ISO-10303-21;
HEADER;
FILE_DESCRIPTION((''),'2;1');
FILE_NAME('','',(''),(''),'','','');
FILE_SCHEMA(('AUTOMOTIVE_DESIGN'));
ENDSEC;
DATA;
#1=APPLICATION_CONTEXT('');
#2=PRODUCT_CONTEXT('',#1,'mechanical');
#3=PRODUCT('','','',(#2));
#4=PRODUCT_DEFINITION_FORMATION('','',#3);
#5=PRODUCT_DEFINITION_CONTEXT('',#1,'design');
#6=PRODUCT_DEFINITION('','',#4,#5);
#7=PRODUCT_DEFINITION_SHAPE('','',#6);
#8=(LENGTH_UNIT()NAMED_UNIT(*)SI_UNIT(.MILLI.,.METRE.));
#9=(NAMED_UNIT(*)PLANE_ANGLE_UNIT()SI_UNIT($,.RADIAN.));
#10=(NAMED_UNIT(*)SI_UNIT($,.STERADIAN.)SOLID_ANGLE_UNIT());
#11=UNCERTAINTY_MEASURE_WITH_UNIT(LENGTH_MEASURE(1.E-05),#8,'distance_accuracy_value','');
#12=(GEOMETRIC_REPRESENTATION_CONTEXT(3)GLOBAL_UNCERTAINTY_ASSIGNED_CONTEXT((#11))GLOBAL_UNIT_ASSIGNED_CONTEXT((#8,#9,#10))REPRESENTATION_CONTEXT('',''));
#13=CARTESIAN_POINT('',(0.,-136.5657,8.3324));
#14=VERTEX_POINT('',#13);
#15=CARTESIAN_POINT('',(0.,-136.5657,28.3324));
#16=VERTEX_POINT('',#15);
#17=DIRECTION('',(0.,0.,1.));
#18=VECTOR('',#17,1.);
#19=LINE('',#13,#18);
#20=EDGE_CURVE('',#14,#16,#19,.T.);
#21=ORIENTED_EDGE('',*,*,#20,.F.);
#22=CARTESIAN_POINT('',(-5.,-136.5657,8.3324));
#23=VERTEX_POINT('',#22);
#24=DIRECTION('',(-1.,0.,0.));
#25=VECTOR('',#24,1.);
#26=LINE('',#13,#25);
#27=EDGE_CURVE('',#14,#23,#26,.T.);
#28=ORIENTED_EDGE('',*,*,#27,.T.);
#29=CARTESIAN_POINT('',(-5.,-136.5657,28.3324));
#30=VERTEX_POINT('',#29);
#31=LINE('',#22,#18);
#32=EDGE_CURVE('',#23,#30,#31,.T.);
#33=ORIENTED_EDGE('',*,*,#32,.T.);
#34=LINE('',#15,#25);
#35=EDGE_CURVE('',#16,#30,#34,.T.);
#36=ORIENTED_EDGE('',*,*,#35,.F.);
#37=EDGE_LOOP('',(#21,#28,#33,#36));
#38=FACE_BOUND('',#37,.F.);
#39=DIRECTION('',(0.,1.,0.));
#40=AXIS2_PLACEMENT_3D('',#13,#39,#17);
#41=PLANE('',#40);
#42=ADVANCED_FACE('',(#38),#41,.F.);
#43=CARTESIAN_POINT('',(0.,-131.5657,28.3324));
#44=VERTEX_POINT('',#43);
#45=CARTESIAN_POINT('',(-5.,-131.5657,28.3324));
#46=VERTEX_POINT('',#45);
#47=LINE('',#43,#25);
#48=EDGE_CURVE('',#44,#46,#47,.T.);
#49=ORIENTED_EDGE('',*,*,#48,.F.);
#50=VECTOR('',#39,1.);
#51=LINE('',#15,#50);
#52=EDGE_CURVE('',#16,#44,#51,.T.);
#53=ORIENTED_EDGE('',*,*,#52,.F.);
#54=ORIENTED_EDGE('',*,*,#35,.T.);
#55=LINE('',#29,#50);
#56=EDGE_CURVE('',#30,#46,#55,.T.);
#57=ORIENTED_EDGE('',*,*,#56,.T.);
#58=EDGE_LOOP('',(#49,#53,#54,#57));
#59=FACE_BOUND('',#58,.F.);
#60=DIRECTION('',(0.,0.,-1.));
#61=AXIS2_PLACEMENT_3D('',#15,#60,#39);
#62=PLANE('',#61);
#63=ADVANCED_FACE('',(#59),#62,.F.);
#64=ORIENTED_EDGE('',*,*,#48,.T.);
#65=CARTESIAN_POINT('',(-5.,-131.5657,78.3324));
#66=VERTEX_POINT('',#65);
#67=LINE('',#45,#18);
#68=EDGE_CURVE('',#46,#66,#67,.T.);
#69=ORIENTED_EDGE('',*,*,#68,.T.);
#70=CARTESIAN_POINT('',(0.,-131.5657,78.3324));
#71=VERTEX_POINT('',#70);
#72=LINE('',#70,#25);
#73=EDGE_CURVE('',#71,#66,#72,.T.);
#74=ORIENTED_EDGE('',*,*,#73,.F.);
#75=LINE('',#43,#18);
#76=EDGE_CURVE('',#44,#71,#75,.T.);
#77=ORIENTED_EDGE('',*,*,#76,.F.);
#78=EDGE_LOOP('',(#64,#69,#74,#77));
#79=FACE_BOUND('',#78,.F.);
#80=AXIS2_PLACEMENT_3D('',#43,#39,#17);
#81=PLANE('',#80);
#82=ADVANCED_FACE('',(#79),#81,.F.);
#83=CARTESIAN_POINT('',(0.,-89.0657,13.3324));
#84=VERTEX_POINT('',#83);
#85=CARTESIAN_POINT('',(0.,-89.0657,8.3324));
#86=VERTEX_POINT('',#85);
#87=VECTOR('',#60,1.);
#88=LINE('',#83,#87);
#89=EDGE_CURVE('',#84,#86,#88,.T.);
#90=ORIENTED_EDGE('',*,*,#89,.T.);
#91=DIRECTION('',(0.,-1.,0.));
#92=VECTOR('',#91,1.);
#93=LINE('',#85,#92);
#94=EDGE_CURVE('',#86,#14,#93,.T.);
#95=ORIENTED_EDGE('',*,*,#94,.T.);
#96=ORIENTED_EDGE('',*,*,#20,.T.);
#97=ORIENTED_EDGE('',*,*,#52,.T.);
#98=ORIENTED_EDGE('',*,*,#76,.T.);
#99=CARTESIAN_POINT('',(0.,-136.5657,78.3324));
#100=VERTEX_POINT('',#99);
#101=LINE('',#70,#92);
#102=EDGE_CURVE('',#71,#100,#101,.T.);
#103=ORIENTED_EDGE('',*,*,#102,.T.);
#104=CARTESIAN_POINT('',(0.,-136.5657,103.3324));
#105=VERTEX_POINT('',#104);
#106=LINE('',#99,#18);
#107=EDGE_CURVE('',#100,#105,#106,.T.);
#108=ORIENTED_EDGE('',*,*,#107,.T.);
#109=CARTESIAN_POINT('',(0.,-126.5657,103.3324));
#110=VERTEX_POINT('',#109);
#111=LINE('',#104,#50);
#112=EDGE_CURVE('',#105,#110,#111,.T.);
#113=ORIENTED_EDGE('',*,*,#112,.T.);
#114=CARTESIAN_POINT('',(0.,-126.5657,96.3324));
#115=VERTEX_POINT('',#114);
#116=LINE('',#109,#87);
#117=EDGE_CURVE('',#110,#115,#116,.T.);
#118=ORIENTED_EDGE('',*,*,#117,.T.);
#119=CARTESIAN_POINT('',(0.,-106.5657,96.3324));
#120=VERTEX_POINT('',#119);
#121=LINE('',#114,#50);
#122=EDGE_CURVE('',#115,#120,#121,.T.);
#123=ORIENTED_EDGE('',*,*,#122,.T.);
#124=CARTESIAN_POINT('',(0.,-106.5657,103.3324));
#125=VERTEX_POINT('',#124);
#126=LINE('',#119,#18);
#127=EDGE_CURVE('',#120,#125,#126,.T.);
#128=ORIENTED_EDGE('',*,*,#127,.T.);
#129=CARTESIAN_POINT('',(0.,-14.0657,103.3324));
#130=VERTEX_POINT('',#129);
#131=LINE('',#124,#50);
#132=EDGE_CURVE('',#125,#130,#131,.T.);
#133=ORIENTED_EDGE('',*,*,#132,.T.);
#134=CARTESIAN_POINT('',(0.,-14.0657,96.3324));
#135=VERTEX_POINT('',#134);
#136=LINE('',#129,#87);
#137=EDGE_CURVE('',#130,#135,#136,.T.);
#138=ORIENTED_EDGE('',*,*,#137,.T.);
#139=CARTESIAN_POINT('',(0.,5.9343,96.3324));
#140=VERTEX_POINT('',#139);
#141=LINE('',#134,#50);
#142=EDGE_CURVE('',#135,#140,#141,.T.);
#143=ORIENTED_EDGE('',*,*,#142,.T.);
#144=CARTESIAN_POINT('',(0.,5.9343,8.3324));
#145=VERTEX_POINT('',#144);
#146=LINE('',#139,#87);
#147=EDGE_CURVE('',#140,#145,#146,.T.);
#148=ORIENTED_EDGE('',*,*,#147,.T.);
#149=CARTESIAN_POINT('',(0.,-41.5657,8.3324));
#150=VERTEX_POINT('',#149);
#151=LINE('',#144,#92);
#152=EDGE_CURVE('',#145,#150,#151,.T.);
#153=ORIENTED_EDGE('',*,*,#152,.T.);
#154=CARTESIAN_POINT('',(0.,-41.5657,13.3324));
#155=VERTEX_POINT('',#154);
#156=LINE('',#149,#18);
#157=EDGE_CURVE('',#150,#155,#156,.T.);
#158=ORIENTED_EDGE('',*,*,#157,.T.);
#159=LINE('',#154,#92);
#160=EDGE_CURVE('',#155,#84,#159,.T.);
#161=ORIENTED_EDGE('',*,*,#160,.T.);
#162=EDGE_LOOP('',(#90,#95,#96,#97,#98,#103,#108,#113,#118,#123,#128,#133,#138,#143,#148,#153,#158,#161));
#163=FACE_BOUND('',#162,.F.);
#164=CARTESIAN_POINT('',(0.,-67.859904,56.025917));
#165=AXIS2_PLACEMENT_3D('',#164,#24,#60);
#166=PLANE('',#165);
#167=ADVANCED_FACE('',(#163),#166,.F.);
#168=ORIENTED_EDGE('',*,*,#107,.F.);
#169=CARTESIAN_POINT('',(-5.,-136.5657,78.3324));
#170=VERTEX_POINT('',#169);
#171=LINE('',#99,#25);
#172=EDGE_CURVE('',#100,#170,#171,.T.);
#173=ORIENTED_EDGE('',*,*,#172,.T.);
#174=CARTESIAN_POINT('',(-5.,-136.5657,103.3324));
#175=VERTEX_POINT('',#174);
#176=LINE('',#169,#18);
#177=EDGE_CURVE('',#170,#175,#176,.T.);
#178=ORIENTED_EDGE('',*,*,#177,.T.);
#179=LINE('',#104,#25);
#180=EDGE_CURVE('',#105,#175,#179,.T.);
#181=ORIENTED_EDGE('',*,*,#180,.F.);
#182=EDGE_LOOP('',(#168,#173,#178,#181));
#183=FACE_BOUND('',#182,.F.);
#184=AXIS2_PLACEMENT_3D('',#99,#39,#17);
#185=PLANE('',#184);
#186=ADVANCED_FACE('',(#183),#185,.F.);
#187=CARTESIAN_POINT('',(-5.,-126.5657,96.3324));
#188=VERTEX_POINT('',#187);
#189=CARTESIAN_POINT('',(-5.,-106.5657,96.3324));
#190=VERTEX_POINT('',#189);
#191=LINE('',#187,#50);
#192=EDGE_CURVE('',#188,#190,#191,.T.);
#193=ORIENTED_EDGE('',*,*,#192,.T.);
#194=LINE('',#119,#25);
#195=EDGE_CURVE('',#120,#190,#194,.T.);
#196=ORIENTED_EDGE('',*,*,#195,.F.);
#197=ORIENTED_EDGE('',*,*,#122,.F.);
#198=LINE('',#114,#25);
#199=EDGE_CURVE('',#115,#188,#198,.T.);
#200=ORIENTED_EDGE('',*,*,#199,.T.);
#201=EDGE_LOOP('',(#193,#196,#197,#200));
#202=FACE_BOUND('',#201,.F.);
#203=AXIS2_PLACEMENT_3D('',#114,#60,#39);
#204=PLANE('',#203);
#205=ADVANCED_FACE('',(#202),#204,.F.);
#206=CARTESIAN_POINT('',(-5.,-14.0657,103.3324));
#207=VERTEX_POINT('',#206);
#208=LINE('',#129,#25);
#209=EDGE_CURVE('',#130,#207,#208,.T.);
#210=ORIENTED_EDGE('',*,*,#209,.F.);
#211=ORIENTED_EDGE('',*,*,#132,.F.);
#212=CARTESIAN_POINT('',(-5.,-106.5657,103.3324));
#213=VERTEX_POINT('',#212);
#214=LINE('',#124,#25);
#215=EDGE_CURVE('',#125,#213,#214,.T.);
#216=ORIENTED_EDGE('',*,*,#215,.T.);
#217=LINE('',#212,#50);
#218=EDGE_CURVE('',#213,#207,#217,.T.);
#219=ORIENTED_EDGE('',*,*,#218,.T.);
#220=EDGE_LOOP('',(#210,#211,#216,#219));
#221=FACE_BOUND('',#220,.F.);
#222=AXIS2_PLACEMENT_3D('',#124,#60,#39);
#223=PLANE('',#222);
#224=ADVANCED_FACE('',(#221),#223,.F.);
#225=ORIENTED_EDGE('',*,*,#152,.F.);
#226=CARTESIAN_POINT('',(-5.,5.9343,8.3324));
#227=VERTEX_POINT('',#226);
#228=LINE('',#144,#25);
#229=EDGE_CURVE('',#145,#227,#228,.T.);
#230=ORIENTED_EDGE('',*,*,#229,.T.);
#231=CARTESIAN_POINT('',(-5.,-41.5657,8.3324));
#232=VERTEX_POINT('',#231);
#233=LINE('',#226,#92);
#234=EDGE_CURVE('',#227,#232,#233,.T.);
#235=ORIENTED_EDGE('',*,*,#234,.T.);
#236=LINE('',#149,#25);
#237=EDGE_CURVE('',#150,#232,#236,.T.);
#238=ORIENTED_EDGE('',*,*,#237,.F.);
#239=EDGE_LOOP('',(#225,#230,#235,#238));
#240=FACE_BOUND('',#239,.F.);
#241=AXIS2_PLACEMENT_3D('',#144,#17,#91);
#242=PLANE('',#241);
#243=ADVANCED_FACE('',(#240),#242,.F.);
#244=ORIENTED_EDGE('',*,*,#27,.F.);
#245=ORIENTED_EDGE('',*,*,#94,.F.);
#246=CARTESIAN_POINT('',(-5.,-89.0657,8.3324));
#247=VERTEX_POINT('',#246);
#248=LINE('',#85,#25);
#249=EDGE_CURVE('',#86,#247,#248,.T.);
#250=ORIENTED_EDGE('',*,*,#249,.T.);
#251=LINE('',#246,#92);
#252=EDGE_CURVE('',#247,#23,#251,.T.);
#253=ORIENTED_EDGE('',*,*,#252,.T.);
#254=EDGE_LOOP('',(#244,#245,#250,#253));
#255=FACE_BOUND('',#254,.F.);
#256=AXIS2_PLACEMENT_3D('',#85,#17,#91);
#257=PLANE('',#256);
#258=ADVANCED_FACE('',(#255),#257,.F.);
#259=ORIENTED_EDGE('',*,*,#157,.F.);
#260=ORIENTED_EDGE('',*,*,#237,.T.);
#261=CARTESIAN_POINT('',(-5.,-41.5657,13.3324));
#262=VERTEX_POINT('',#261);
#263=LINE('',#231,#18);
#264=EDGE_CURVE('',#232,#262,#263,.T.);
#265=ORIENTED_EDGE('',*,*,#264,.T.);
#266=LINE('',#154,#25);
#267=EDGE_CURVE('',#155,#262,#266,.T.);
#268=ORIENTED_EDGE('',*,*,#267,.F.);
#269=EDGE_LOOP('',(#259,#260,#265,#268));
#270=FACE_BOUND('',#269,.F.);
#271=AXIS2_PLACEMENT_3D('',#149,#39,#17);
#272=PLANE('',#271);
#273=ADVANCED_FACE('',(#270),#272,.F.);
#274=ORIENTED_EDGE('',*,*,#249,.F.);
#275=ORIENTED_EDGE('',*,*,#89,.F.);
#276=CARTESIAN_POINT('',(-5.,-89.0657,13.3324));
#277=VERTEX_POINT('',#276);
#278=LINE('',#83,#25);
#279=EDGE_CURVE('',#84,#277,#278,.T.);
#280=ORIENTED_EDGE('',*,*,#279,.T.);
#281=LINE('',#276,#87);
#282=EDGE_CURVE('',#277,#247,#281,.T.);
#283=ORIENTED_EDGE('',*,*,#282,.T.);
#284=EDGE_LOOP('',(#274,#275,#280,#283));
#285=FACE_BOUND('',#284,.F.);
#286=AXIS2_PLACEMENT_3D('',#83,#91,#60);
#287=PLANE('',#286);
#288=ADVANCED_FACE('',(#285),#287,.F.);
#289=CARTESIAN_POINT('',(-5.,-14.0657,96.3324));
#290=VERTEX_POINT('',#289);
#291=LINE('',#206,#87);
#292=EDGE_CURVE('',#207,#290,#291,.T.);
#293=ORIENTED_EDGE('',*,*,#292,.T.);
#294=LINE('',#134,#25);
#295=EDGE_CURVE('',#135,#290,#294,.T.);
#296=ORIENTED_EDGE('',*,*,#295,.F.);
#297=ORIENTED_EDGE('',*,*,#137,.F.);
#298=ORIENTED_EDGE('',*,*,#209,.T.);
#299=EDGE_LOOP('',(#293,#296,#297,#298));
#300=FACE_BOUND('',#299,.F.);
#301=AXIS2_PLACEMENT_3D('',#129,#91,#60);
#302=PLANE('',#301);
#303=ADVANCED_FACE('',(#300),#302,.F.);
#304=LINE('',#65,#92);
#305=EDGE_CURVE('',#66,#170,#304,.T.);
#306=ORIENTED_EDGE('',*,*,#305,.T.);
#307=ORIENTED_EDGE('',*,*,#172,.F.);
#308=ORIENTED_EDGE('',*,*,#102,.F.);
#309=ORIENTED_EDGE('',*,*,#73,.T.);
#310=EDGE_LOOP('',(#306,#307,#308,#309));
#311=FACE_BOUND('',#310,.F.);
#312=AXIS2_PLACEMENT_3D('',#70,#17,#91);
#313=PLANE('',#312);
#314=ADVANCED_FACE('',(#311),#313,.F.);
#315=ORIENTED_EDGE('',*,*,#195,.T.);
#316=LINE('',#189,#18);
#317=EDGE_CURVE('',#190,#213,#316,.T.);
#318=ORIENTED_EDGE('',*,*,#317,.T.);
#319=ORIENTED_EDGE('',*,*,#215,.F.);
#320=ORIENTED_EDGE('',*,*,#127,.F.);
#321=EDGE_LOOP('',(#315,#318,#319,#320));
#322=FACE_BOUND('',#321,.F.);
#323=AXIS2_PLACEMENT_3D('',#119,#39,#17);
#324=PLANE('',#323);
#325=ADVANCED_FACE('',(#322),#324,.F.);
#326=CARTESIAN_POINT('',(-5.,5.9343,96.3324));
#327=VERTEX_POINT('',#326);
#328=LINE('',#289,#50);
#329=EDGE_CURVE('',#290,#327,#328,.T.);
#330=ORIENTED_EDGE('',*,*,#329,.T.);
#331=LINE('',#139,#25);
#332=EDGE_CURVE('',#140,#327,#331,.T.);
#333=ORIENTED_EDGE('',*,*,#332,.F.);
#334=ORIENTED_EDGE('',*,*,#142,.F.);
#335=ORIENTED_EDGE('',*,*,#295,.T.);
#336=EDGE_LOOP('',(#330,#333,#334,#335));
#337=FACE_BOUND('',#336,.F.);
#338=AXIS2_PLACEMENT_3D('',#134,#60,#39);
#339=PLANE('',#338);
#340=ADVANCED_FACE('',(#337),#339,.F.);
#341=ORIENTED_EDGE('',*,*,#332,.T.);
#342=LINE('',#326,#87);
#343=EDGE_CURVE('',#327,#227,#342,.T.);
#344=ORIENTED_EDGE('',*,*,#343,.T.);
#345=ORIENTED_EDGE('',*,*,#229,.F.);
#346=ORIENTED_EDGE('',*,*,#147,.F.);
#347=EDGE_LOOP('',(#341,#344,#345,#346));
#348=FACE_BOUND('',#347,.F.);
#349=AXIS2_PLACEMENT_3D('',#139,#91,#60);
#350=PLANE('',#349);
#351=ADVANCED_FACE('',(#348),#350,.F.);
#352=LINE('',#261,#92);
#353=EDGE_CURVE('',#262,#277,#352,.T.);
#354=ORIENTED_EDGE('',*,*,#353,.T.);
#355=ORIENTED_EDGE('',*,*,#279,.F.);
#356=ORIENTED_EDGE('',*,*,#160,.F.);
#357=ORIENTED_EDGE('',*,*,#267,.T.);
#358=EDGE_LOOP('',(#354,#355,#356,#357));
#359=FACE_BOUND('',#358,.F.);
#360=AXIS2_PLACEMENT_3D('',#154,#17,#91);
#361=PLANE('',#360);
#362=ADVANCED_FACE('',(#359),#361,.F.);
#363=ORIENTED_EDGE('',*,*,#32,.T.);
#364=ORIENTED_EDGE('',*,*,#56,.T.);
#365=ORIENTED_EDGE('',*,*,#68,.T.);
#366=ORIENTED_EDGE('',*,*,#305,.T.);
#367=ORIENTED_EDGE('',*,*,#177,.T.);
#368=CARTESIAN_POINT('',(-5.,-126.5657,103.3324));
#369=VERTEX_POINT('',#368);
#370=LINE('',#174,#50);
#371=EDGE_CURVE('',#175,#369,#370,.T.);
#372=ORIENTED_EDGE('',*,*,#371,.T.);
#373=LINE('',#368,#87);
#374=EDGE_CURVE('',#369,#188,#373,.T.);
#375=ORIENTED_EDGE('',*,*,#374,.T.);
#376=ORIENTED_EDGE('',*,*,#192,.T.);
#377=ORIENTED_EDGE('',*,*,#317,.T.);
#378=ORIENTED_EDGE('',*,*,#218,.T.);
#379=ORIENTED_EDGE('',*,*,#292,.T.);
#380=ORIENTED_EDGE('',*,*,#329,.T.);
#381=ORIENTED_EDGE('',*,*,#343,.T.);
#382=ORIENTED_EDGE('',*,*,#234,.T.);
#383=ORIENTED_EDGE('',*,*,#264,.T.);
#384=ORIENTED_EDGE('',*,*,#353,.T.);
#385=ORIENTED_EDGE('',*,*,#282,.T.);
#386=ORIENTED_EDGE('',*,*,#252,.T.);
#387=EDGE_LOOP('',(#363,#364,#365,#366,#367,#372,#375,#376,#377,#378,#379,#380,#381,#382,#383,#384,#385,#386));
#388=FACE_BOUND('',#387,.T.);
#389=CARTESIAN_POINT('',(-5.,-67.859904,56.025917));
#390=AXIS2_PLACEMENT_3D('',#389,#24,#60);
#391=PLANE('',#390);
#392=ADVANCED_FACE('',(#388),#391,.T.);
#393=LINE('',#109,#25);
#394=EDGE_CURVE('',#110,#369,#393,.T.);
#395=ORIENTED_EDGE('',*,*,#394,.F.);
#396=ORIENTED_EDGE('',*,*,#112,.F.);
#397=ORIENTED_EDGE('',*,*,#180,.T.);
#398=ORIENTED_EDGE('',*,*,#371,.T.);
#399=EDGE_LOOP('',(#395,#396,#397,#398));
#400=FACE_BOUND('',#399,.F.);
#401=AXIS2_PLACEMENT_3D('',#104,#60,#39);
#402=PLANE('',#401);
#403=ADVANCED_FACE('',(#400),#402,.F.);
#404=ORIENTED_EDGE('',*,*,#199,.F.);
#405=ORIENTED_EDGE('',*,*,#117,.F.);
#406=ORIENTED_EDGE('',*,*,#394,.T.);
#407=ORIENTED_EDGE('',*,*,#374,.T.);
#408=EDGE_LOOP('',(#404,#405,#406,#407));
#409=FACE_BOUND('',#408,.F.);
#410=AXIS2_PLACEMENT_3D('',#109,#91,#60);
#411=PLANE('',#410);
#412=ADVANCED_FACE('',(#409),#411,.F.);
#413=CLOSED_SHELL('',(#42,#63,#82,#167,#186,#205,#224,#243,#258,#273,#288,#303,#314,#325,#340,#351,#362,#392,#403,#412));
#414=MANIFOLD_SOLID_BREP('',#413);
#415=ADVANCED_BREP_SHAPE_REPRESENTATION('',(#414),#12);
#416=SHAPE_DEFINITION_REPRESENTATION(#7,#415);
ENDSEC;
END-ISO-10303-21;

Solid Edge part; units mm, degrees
sketch "Sketch1" plane through (0, 0, 0) normal (1, 0, 0) x (0, 1, 0)
  line L0 (-136.5657, 103.3324) -> (-126.5657, 103.3324)
  line L1 (-126.5657, 103.3324) -> (-126.5657, 96.3324)
  line L2 (-126.5657, 96.3324) -> (-106.5657, 96.3324)
  line L3 (-106.5657, 96.3324) -> (-106.5657, 103.3324)
  line L4 (-106.5657, 103.3324) -> (-14.0657, 103.3324)
  line L5 (-14.0657, 103.3324) -> (-14.0657, 96.3324)
  line L6 (-14.0657, 96.3324) -> (5.9343, 96.3324)
  line L7 (5.9343, 96.3324) -> (5.9343, 8.3324)
  line L8 (5.9343, 8.3324) -> (-41.5657, 8.3324)
  line L9 (-41.5657, 8.3324) -> (-41.5657, 13.3324)
  line L10 (-41.5657, 13.3324) -> (-89.0657, 13.3324)
  line L11 (-89.0657, 13.3324) -> (-89.0657, 8.3324)
  line L12 (-89.0657, 8.3324) -> (-136.5657, 8.3324)
  line L13 (-136.5657, 8.3324) -> (-136.5657, 28.3324)
  line L14 (-136.5657, 28.3324) -> (-131.5657, 28.3324)
  line L15 (-131.5657, 28.3324) -> (-131.5657, 78.3324)
  line L16 (-131.5657, 78.3324) -> (-136.5657, 78.3324)
  line L17 (-136.5657, 78.3324) -> (-136.5657, 103.3324)
  dimension "D1" = 7
  dimension "D2" = 20
  dimension "D3" = 92.5
  dimension "D4" = 10
  dimension "D5" = 5
  dimension "D6" = 25
  dimension "D7" = 50
  dimension "D8" = 95
extrude "Protrusion1" add sketch "Sketch1" against normal blind 5
properties material "Acier"
